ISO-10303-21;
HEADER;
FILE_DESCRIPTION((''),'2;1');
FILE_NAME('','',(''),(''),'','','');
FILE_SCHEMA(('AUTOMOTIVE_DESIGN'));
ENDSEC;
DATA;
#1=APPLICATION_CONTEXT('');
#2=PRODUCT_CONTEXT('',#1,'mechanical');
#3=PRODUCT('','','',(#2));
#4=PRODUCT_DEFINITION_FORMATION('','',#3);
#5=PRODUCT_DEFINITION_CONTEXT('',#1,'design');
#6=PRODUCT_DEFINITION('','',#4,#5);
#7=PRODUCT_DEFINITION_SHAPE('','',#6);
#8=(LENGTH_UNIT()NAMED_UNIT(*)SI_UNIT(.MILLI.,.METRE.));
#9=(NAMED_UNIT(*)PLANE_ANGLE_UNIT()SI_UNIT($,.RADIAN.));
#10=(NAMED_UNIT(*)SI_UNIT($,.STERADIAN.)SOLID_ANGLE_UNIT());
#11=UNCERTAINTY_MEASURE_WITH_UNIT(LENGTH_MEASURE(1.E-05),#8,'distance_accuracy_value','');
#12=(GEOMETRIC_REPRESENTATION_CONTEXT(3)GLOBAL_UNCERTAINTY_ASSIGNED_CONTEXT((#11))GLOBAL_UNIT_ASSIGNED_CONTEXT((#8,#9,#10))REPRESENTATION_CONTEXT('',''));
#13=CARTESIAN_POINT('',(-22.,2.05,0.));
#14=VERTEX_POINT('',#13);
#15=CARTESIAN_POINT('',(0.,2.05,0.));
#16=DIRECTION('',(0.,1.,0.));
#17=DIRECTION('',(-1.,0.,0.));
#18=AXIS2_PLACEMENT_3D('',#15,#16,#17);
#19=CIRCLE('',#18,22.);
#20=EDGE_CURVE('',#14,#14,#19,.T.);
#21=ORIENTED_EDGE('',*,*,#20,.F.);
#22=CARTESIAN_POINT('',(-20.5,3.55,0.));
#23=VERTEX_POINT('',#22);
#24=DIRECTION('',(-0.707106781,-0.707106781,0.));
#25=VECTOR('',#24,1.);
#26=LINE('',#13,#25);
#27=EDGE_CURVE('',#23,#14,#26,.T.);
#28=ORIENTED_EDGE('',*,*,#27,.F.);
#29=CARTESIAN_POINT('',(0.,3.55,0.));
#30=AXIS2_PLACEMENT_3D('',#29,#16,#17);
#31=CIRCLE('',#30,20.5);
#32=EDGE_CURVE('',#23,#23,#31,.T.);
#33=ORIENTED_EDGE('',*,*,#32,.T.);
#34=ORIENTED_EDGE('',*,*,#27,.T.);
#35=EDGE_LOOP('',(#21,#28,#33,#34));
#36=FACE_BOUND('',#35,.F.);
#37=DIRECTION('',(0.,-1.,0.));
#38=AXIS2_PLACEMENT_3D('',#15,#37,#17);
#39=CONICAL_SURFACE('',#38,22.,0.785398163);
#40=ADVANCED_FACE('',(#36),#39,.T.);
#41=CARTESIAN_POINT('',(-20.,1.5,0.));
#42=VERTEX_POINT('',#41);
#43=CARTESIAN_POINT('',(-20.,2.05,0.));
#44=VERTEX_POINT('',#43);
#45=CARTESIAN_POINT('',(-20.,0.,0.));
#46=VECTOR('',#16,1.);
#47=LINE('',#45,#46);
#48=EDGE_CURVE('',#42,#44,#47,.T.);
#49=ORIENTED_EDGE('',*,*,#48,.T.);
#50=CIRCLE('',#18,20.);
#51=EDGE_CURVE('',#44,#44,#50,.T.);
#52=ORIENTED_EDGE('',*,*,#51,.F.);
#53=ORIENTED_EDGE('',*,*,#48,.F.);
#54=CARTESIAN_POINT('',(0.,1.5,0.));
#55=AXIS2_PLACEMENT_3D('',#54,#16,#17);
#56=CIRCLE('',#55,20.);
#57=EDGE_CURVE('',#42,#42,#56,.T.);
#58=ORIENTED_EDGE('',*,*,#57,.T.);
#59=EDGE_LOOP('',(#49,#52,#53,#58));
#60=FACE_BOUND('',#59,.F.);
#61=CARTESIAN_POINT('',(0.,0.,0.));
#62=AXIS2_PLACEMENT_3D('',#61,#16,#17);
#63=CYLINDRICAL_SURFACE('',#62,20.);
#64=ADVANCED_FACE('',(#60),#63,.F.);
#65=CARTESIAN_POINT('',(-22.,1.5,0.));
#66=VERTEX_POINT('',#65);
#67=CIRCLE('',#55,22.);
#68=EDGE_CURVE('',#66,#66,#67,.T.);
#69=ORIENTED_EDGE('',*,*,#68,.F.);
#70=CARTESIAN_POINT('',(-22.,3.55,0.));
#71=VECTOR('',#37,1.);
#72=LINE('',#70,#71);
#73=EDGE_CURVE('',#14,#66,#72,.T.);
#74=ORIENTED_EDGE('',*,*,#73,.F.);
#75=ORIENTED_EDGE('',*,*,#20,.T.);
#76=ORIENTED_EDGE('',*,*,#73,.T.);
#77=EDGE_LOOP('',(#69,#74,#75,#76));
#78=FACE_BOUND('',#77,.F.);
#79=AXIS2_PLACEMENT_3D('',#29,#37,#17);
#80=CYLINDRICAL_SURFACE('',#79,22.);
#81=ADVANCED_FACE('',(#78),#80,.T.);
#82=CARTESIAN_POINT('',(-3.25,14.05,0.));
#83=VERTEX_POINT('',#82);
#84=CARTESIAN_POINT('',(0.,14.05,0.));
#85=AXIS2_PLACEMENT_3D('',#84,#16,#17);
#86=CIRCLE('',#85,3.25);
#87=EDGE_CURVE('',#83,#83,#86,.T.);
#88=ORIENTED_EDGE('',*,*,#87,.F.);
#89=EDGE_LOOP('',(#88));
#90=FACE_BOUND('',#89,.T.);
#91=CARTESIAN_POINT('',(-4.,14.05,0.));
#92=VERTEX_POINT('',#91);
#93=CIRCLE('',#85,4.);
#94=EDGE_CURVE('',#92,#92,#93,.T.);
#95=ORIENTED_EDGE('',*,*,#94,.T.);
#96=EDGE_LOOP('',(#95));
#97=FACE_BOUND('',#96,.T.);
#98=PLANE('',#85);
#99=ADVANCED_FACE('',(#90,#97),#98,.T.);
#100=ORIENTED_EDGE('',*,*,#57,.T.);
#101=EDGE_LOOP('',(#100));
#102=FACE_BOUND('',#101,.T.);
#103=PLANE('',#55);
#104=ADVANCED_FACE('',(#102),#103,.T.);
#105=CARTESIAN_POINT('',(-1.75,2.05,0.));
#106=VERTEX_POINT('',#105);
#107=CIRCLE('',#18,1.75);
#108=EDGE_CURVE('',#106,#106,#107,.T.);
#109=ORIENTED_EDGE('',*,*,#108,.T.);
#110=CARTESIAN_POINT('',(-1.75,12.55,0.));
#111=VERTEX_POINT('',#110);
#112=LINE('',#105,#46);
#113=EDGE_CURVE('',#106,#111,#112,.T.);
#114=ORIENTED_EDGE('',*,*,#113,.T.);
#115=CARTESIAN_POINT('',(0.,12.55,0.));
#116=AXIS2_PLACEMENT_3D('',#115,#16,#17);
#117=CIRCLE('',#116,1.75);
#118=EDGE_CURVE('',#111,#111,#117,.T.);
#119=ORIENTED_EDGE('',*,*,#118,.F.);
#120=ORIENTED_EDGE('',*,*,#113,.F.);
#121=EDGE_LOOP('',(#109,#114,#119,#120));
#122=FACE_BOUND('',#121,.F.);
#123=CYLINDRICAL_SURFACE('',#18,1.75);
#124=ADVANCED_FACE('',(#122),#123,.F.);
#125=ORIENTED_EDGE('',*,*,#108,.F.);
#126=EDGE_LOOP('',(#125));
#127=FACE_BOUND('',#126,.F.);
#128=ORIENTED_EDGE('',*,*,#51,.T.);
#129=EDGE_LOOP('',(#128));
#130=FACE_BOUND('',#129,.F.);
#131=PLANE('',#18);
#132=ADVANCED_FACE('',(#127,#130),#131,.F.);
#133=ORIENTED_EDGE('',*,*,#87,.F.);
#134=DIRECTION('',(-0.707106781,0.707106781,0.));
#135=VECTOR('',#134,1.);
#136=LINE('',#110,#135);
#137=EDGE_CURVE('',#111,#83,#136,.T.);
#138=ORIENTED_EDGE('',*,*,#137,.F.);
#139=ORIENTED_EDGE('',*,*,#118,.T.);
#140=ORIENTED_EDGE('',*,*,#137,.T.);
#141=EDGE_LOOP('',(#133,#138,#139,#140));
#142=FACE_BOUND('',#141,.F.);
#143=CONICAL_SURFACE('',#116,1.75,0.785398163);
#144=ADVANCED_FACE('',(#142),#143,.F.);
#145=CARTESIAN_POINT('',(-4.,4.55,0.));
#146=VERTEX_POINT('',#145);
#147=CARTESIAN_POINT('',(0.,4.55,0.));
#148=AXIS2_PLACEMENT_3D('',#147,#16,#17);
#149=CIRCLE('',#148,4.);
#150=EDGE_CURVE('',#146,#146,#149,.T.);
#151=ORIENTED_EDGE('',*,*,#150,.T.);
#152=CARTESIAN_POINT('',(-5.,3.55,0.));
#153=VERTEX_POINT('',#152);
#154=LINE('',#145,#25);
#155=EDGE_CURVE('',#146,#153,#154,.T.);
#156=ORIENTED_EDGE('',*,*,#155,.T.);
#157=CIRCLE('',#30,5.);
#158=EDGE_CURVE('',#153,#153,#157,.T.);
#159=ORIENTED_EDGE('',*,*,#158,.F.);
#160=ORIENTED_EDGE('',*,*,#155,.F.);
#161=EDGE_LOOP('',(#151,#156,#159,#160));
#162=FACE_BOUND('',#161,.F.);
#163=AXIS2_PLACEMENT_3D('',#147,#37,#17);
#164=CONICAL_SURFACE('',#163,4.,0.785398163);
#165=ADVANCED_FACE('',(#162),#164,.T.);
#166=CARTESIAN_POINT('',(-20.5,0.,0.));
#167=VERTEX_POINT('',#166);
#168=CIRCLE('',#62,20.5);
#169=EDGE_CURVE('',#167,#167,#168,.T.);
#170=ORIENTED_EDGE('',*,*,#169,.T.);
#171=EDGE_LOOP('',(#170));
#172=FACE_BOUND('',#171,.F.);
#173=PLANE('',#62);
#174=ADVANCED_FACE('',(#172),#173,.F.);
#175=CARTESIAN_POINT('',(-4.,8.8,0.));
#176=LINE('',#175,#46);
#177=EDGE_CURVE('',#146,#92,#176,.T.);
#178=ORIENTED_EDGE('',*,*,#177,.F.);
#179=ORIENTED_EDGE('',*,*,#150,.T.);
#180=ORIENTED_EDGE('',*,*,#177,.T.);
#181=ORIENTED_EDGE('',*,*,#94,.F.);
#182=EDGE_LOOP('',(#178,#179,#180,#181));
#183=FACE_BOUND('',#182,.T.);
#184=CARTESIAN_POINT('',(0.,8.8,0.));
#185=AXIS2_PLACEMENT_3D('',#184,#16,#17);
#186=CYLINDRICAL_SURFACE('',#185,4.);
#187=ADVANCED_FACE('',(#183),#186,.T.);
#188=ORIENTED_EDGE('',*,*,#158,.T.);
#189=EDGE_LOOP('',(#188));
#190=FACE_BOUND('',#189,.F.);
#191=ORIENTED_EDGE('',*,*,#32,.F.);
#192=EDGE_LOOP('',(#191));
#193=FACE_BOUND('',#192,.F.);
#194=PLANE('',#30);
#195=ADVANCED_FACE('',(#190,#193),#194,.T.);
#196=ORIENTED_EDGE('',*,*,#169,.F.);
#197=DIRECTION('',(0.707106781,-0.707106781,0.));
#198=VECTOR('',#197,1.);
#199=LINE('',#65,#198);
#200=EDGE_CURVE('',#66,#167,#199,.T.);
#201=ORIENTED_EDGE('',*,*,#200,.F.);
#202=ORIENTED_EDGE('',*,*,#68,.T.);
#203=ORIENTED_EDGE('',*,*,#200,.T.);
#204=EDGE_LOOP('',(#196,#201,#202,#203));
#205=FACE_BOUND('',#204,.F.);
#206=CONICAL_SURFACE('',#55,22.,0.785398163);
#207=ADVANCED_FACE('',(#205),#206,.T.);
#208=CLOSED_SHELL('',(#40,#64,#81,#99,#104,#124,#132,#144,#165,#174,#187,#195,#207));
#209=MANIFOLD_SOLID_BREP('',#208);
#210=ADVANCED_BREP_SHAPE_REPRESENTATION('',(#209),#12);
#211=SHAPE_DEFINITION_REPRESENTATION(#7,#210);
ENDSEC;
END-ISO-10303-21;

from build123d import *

# Parameters (mm, degrees)
SKETCH1_W     = 2.25
SKETCH1_H     = 10.5
SKETCH1_W_2   = 20
SKETCH1_H_2   = 1.5
CHAMFER1_SIZE = 1.5
CHAMFER2_SIZE = 1


with BuildPart() as part:
    # Sketch1 → Revolve1 (revolve)
    with BuildSketch(Plane.XY):
        Polygon((-20, 3.55), (-20, 2.05), (-1.75, 2.05), (-1.75, 3.55), (-4, 3.55), align=None)
        Polygon((-22, 0), (-20, 0), (-20, 1.5), (-20, 2.05), (-20, 3.55), (-22, 3.55), align=None)
        with Locations((-2.875, 8.8)):
            Rectangle(SKETCH1_W, SKETCH1_H)
        with Locations((-10, 0.75)):
            Rectangle(SKETCH1_W_2, SKETCH1_H_2)
    revolve(axis=Axis((0, 0, 0), (0, 1, 0)))

    # Chamfer1
    chamfer1_edges = [part.edges().sort_by_distance(p)[0] for p in [
        (22, 0, 0),
        (22, 3.55, 0),
        (1.75, 14.05, 0),
    ]]
    chamfer(chamfer1_edges, length=CHAMFER1_SIZE)

    # Chamfer2
    chamfer2_edges = [part.edges().sort_by_distance(p)[0] for p in [
        (4, 3.55, 0),
    ]]
    chamfer(chamfer2_edges, length=CHAMFER2_SIZE)


solid = part.part
